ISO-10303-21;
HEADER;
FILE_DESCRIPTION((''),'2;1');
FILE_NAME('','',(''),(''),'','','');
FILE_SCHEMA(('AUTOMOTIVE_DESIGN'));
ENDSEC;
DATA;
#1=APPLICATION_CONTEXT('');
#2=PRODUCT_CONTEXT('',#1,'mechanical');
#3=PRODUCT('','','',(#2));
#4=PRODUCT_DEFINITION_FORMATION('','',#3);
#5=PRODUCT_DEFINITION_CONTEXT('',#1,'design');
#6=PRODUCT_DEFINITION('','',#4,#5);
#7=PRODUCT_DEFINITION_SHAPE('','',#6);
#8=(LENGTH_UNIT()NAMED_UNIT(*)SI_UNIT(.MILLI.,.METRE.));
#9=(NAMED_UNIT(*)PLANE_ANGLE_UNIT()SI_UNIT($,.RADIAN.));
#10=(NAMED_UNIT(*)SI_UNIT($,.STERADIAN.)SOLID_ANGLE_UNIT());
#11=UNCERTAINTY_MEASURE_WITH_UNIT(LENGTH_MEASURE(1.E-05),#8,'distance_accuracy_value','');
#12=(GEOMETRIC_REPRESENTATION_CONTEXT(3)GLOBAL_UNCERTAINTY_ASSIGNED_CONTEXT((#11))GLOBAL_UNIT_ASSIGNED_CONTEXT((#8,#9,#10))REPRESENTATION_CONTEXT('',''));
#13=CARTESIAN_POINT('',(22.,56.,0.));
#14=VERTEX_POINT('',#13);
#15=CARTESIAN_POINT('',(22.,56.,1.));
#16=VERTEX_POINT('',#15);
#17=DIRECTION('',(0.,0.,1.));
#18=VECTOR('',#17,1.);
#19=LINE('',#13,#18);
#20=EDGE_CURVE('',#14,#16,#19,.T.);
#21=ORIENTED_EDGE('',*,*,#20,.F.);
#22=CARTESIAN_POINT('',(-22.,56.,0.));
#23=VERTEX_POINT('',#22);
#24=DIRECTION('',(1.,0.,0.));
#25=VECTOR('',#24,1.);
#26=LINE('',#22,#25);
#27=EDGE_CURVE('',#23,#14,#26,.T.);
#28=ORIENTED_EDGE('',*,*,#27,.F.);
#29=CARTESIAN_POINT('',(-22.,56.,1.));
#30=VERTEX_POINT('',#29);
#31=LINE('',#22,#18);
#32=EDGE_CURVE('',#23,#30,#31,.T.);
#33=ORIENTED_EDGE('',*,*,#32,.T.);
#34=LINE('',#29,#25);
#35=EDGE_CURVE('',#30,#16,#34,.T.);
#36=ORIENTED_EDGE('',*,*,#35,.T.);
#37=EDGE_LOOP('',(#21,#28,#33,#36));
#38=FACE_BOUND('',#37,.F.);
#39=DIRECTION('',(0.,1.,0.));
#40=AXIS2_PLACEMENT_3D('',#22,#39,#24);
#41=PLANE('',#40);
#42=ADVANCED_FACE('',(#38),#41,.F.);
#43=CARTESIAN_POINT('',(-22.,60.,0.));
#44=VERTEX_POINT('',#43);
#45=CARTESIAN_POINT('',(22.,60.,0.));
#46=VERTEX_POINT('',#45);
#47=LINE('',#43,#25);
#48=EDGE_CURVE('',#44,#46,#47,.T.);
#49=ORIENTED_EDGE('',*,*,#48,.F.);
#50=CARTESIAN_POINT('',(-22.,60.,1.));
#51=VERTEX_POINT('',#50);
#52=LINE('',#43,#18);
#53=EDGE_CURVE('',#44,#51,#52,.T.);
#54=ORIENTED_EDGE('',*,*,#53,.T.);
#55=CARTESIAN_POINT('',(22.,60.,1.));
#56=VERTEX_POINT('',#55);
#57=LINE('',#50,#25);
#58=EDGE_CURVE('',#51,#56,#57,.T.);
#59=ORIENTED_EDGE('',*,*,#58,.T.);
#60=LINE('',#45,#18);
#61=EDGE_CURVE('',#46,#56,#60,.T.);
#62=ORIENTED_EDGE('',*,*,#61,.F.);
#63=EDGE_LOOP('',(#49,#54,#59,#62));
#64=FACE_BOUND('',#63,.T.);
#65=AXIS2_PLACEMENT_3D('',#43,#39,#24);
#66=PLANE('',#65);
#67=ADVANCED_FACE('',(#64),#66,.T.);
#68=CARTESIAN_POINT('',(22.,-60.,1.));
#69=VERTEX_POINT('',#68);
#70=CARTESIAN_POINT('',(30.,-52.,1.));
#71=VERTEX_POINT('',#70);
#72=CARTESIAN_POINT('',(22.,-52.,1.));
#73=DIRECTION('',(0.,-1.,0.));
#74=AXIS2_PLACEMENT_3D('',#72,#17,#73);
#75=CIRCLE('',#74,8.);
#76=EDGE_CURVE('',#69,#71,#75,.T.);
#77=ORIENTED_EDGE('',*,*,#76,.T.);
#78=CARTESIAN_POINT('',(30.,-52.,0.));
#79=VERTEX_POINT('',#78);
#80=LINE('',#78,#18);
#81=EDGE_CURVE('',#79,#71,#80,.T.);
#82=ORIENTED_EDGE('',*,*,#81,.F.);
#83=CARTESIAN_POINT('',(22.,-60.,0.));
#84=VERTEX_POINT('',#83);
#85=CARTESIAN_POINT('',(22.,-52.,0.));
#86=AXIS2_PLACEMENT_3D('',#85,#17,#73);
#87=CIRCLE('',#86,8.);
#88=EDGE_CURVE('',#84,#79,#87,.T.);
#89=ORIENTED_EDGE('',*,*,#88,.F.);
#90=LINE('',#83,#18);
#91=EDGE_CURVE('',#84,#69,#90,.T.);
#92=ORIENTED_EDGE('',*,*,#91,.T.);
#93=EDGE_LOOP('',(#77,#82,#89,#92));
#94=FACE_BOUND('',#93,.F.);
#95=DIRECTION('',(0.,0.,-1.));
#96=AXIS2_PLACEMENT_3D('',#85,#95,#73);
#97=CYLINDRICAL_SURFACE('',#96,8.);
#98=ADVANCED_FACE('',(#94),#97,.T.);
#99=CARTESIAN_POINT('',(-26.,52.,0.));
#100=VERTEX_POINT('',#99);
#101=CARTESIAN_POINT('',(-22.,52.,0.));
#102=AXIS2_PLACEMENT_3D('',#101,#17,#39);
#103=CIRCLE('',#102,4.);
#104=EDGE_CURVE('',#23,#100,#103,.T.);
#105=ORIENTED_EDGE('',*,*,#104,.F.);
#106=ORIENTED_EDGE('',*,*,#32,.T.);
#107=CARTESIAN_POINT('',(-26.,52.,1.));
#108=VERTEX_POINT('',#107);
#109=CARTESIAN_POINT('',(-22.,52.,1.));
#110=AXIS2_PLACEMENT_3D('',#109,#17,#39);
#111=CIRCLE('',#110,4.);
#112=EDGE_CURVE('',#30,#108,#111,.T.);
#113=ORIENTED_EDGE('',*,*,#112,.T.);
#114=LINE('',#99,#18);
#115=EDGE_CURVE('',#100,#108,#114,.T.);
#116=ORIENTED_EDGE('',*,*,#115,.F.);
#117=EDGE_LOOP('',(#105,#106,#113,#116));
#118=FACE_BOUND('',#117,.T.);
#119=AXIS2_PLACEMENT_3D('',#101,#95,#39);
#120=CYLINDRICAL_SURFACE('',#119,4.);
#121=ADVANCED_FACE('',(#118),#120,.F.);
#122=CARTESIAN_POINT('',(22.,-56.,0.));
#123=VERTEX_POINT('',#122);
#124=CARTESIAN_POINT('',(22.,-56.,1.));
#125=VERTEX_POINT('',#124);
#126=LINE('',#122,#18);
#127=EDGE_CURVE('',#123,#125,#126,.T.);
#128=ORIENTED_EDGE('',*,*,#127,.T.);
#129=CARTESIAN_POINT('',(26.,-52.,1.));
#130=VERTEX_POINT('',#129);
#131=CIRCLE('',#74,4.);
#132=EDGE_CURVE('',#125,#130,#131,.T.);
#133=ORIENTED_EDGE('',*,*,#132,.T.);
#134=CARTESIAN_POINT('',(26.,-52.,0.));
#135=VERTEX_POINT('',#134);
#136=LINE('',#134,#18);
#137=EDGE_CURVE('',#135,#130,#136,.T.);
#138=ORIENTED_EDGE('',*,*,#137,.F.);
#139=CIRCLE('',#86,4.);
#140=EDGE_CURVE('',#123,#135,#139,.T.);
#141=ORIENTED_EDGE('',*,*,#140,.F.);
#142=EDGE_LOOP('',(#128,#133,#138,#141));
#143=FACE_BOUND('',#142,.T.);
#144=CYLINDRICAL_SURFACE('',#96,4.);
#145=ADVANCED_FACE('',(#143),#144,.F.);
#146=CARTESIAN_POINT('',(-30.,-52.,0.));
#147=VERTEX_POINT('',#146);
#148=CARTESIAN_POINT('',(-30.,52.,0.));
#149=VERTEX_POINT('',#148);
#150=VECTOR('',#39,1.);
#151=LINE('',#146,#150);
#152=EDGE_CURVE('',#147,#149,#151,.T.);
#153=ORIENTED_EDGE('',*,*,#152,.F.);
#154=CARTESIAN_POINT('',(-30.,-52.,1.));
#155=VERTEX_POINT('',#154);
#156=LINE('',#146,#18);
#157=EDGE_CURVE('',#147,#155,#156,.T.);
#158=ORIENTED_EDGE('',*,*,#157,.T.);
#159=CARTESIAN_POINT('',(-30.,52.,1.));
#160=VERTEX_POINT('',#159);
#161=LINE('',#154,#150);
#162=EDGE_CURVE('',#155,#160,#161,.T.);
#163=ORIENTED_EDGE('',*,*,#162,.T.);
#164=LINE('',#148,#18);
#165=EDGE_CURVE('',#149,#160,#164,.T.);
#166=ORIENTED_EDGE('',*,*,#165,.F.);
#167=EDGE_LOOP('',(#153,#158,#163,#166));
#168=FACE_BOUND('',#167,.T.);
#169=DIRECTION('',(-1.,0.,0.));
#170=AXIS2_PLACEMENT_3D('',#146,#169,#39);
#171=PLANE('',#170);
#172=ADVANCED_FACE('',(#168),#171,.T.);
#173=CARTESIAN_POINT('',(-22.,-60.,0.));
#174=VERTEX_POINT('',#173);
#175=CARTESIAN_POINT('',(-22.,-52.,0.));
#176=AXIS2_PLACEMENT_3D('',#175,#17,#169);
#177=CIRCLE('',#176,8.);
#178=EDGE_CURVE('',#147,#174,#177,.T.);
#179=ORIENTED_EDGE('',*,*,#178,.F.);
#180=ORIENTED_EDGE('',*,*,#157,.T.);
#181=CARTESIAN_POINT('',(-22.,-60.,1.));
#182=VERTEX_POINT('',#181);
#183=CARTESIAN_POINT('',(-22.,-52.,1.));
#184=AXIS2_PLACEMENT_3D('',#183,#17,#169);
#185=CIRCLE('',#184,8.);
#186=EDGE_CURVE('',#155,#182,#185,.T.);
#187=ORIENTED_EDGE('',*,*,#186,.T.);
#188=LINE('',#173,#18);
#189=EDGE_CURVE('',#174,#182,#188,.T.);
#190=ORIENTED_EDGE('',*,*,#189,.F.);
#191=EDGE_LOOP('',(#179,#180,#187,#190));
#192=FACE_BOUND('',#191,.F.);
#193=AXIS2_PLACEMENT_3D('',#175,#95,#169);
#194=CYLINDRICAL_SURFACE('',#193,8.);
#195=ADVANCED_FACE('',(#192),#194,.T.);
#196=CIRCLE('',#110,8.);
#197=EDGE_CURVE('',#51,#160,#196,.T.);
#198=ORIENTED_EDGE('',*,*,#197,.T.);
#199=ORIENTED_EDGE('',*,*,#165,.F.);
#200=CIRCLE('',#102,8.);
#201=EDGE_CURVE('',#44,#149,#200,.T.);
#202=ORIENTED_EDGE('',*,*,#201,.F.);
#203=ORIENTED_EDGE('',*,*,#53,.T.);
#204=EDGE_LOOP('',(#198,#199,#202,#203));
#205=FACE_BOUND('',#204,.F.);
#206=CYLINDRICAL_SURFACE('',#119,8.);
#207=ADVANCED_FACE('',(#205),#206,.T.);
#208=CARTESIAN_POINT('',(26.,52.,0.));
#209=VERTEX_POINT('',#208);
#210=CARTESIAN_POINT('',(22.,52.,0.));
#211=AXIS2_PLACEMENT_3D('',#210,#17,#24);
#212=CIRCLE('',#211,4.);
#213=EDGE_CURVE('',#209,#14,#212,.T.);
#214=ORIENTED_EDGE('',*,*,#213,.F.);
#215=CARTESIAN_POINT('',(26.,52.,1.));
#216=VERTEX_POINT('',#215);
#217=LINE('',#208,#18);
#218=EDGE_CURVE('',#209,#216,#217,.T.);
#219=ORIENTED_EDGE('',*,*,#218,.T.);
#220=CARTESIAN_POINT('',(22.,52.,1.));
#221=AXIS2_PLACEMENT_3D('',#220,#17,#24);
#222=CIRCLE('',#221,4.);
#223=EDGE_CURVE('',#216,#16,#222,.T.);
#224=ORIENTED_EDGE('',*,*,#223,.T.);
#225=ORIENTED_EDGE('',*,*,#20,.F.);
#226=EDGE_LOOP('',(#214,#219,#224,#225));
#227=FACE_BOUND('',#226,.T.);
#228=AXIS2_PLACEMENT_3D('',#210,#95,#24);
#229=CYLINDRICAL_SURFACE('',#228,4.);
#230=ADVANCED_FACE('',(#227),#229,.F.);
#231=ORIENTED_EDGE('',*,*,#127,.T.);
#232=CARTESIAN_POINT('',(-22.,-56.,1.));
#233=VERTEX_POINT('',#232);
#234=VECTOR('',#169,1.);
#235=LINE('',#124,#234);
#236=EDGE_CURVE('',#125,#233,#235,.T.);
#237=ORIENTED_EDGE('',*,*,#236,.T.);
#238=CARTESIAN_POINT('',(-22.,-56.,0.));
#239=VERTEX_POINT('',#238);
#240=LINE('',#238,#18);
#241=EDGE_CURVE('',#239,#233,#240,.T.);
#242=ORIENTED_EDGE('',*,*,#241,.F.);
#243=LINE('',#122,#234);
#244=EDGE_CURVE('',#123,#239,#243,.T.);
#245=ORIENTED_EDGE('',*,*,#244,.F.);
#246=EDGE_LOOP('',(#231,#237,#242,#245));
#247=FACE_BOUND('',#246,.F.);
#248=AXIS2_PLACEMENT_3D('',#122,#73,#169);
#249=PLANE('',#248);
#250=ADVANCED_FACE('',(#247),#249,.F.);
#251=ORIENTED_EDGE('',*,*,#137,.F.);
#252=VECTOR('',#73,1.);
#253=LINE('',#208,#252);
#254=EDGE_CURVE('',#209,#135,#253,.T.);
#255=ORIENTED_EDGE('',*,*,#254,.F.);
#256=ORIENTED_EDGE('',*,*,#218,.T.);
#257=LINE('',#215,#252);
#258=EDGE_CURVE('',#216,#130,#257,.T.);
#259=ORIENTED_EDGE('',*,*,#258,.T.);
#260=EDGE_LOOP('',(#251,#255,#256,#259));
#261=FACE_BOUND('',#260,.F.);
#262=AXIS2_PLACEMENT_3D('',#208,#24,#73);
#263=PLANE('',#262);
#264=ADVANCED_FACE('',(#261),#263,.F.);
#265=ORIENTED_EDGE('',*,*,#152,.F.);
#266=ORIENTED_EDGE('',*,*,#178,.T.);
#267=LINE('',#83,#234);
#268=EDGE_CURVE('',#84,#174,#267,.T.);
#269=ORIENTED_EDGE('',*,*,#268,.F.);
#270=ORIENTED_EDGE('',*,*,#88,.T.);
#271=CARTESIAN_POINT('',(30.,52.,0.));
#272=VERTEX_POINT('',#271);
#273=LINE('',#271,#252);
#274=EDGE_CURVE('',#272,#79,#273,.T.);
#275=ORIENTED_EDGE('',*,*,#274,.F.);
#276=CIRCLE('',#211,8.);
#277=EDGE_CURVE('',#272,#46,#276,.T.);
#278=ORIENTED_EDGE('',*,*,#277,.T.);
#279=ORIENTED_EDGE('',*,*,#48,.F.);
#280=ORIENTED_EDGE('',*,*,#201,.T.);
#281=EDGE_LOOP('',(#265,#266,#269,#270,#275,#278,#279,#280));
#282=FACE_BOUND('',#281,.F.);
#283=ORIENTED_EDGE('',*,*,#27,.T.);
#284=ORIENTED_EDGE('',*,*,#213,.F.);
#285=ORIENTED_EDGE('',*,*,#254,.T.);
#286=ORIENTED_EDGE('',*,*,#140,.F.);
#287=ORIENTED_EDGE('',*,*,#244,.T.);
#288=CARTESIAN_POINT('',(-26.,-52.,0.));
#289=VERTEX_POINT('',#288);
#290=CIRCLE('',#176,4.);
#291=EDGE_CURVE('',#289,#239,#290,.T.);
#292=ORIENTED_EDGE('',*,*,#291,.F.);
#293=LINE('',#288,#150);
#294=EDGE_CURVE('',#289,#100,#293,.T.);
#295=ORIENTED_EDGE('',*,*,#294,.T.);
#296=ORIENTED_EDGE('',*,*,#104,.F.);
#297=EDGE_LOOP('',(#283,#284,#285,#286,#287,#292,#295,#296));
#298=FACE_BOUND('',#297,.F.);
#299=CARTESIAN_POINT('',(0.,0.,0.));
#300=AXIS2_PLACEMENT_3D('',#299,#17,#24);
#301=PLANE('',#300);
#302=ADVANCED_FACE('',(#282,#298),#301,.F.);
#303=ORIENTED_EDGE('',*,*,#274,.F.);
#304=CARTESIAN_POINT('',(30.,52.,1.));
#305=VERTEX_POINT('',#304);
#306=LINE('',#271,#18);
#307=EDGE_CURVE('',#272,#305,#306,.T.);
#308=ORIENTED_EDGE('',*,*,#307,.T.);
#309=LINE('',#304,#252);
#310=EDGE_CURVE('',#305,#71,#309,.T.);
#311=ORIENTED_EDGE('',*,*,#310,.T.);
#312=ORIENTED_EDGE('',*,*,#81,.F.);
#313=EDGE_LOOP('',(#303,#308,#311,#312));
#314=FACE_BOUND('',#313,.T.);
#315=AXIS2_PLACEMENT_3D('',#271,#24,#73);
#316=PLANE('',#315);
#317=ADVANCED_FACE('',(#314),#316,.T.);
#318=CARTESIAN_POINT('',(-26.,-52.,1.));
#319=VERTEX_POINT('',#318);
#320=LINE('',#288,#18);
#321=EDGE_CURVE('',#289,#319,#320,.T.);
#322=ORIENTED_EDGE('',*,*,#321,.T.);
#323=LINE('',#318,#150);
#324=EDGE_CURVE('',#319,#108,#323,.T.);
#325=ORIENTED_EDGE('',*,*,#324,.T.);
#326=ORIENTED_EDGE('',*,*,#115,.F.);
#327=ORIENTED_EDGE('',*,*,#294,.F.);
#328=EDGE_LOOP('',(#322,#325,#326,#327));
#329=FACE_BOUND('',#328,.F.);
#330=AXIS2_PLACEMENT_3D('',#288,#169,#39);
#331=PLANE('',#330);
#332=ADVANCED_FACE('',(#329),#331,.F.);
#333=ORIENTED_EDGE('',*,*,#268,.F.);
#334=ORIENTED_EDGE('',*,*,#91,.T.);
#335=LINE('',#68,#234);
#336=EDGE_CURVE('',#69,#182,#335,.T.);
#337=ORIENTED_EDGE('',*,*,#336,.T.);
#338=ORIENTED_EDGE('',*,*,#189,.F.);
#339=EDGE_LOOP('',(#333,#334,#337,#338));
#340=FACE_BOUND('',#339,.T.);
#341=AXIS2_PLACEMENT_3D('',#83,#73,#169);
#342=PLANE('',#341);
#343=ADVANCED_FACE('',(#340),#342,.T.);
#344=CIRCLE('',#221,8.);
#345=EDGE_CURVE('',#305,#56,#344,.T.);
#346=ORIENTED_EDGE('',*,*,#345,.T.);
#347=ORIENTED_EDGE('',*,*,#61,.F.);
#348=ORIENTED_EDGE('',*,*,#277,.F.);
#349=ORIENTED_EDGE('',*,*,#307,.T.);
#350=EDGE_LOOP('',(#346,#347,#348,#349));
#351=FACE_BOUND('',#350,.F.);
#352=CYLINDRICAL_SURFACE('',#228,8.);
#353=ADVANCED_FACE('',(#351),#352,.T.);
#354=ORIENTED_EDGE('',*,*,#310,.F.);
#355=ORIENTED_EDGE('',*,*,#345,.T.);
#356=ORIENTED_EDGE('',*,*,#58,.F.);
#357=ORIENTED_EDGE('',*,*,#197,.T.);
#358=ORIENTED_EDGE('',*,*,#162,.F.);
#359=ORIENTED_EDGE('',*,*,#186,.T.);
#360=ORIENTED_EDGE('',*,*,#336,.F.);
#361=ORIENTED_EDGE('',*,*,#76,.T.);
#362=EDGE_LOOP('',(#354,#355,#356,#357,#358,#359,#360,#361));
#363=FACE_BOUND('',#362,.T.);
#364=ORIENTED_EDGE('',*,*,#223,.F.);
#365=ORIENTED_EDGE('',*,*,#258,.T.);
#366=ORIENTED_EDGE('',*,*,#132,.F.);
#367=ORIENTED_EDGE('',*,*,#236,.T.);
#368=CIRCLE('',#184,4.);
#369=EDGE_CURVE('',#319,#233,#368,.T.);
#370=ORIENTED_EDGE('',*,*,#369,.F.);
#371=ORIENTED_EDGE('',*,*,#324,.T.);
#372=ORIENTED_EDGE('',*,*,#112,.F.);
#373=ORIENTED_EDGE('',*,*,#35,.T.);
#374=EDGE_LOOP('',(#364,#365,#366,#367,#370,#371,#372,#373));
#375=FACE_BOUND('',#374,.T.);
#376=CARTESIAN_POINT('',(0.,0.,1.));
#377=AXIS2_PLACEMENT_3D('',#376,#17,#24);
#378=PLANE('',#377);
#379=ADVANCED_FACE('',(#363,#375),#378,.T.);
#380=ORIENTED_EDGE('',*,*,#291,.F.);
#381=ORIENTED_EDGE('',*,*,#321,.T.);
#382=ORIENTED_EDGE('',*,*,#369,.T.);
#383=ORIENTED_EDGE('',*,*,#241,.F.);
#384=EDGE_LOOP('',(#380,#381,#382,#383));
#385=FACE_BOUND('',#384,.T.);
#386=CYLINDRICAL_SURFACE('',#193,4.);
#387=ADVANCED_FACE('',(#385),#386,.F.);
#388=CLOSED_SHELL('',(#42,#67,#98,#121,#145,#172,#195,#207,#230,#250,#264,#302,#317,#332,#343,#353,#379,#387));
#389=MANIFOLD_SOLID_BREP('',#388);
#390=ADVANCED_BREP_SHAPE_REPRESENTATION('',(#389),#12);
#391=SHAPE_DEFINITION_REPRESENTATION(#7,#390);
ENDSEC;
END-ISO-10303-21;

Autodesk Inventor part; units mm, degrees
ref_plane "YZ Plane" through (0, 0, 0) normal (1, 0, 0) x (0, 1, 0)
ref_plane "Start plane" through (0, 0, 0) normal (0, 0, 1) x (1, 0, 0)
ref_plane "End plane" through (0, 0, 1) normal (0, 0, 1) x (1, 0, 0)
sketch "Sketch1" plane through (0, 0, 0) normal (0, 0, 1) x (1, 0, 0)
  line L0 (-22, 60) -> (22, 60)
  line L1 (30, 52) -> (30, -52)
  line L2 (22, -60) -> (-22, -60)
  line L3 (-30, -52) -> (-30, 52)
  arc A0 (-22, 60) -> (-30, 52) centre (-22, 52) ccw
  arc A1 (30, 52) -> (22, 60) centre (22, 52) ccw
  arc A2 (22, -60) -> (30, -52) centre (22, -52) ccw
  arc A3 (-30, -52) -> (-22, -60) centre (-22, -52) ccw
  line L4 (-21.8698, 0) -> (21.8698, 0) construction
  line L5 (0, -35.8698) -> (0, 35.8698) construction
  arc A4 (-22, 56) -> (-26, 52) centre (-22, 52) ccw
  line L6 (-22, 56) -> (22, 56)
  arc A5 (26, 52) -> (22, 56) centre (22, 52) ccw
  line L7 (26, 52) -> (26, -52)
  arc A6 (22, -56) -> (26, -52) centre (22, -52) ccw
  line L8 (22, -56) -> (-22, -56)
  arc A7 (-26, -52) -> (-22, -56) centre (-22, -52) ccw
  line L9 (-26, -52) -> (-26, 52)
  point P0 (-30, 60)
  point P1 (30, -60)
  point P2 (30, 60)
  dimension "b" = 60
  dimension "ParH" = 120
  dimension "msp_r" = 8
  dimension "d8" = 30
  dimension "d9" = 60
  dimension "d10" = 4
extrude "Body" add sketch "Sketch1" along normal up to surface (1 mm away) from surface at 0
sketch "Sketch2" plane through (0, 0, 0) normal (0, 0, 1) x (1, 0, 0)
  line L0 (0, 0) -> (10, 0)
ref_plane "Work Plane3" through (0, 0, 0) normal (0, -1, 0) x (1, 0, 0)
sketch "Sketch3" plane through (0, 0, 0) normal (0, -1, 0) x (1, 0, 0)
  line L0 (-2, 0) -> (12, 0)
  line L1 (-2, 1) -> (12, 1)
  dimension "d14" = 1
equation "\"msp_r\" = 2 * ParT"
equation "\"d8\" = 0.5 * b"
equation "\"d9\" = 0.5 * ParH"
equation "\"d10\" = ParT"
equation "\"G_OFFSET_START\" = 0"
equation "\"G_OFFSET_END\" = 0"
equation "\"d12\" = G_OFFSET_END + B_L"
equation "\"G_L\" = d14"
equation "\"B_L\" = 1"
equation "\"ParT\" = 4"
properties part number "DIN 59 410 - 120x60x4-1" material "Steel, Mild"
